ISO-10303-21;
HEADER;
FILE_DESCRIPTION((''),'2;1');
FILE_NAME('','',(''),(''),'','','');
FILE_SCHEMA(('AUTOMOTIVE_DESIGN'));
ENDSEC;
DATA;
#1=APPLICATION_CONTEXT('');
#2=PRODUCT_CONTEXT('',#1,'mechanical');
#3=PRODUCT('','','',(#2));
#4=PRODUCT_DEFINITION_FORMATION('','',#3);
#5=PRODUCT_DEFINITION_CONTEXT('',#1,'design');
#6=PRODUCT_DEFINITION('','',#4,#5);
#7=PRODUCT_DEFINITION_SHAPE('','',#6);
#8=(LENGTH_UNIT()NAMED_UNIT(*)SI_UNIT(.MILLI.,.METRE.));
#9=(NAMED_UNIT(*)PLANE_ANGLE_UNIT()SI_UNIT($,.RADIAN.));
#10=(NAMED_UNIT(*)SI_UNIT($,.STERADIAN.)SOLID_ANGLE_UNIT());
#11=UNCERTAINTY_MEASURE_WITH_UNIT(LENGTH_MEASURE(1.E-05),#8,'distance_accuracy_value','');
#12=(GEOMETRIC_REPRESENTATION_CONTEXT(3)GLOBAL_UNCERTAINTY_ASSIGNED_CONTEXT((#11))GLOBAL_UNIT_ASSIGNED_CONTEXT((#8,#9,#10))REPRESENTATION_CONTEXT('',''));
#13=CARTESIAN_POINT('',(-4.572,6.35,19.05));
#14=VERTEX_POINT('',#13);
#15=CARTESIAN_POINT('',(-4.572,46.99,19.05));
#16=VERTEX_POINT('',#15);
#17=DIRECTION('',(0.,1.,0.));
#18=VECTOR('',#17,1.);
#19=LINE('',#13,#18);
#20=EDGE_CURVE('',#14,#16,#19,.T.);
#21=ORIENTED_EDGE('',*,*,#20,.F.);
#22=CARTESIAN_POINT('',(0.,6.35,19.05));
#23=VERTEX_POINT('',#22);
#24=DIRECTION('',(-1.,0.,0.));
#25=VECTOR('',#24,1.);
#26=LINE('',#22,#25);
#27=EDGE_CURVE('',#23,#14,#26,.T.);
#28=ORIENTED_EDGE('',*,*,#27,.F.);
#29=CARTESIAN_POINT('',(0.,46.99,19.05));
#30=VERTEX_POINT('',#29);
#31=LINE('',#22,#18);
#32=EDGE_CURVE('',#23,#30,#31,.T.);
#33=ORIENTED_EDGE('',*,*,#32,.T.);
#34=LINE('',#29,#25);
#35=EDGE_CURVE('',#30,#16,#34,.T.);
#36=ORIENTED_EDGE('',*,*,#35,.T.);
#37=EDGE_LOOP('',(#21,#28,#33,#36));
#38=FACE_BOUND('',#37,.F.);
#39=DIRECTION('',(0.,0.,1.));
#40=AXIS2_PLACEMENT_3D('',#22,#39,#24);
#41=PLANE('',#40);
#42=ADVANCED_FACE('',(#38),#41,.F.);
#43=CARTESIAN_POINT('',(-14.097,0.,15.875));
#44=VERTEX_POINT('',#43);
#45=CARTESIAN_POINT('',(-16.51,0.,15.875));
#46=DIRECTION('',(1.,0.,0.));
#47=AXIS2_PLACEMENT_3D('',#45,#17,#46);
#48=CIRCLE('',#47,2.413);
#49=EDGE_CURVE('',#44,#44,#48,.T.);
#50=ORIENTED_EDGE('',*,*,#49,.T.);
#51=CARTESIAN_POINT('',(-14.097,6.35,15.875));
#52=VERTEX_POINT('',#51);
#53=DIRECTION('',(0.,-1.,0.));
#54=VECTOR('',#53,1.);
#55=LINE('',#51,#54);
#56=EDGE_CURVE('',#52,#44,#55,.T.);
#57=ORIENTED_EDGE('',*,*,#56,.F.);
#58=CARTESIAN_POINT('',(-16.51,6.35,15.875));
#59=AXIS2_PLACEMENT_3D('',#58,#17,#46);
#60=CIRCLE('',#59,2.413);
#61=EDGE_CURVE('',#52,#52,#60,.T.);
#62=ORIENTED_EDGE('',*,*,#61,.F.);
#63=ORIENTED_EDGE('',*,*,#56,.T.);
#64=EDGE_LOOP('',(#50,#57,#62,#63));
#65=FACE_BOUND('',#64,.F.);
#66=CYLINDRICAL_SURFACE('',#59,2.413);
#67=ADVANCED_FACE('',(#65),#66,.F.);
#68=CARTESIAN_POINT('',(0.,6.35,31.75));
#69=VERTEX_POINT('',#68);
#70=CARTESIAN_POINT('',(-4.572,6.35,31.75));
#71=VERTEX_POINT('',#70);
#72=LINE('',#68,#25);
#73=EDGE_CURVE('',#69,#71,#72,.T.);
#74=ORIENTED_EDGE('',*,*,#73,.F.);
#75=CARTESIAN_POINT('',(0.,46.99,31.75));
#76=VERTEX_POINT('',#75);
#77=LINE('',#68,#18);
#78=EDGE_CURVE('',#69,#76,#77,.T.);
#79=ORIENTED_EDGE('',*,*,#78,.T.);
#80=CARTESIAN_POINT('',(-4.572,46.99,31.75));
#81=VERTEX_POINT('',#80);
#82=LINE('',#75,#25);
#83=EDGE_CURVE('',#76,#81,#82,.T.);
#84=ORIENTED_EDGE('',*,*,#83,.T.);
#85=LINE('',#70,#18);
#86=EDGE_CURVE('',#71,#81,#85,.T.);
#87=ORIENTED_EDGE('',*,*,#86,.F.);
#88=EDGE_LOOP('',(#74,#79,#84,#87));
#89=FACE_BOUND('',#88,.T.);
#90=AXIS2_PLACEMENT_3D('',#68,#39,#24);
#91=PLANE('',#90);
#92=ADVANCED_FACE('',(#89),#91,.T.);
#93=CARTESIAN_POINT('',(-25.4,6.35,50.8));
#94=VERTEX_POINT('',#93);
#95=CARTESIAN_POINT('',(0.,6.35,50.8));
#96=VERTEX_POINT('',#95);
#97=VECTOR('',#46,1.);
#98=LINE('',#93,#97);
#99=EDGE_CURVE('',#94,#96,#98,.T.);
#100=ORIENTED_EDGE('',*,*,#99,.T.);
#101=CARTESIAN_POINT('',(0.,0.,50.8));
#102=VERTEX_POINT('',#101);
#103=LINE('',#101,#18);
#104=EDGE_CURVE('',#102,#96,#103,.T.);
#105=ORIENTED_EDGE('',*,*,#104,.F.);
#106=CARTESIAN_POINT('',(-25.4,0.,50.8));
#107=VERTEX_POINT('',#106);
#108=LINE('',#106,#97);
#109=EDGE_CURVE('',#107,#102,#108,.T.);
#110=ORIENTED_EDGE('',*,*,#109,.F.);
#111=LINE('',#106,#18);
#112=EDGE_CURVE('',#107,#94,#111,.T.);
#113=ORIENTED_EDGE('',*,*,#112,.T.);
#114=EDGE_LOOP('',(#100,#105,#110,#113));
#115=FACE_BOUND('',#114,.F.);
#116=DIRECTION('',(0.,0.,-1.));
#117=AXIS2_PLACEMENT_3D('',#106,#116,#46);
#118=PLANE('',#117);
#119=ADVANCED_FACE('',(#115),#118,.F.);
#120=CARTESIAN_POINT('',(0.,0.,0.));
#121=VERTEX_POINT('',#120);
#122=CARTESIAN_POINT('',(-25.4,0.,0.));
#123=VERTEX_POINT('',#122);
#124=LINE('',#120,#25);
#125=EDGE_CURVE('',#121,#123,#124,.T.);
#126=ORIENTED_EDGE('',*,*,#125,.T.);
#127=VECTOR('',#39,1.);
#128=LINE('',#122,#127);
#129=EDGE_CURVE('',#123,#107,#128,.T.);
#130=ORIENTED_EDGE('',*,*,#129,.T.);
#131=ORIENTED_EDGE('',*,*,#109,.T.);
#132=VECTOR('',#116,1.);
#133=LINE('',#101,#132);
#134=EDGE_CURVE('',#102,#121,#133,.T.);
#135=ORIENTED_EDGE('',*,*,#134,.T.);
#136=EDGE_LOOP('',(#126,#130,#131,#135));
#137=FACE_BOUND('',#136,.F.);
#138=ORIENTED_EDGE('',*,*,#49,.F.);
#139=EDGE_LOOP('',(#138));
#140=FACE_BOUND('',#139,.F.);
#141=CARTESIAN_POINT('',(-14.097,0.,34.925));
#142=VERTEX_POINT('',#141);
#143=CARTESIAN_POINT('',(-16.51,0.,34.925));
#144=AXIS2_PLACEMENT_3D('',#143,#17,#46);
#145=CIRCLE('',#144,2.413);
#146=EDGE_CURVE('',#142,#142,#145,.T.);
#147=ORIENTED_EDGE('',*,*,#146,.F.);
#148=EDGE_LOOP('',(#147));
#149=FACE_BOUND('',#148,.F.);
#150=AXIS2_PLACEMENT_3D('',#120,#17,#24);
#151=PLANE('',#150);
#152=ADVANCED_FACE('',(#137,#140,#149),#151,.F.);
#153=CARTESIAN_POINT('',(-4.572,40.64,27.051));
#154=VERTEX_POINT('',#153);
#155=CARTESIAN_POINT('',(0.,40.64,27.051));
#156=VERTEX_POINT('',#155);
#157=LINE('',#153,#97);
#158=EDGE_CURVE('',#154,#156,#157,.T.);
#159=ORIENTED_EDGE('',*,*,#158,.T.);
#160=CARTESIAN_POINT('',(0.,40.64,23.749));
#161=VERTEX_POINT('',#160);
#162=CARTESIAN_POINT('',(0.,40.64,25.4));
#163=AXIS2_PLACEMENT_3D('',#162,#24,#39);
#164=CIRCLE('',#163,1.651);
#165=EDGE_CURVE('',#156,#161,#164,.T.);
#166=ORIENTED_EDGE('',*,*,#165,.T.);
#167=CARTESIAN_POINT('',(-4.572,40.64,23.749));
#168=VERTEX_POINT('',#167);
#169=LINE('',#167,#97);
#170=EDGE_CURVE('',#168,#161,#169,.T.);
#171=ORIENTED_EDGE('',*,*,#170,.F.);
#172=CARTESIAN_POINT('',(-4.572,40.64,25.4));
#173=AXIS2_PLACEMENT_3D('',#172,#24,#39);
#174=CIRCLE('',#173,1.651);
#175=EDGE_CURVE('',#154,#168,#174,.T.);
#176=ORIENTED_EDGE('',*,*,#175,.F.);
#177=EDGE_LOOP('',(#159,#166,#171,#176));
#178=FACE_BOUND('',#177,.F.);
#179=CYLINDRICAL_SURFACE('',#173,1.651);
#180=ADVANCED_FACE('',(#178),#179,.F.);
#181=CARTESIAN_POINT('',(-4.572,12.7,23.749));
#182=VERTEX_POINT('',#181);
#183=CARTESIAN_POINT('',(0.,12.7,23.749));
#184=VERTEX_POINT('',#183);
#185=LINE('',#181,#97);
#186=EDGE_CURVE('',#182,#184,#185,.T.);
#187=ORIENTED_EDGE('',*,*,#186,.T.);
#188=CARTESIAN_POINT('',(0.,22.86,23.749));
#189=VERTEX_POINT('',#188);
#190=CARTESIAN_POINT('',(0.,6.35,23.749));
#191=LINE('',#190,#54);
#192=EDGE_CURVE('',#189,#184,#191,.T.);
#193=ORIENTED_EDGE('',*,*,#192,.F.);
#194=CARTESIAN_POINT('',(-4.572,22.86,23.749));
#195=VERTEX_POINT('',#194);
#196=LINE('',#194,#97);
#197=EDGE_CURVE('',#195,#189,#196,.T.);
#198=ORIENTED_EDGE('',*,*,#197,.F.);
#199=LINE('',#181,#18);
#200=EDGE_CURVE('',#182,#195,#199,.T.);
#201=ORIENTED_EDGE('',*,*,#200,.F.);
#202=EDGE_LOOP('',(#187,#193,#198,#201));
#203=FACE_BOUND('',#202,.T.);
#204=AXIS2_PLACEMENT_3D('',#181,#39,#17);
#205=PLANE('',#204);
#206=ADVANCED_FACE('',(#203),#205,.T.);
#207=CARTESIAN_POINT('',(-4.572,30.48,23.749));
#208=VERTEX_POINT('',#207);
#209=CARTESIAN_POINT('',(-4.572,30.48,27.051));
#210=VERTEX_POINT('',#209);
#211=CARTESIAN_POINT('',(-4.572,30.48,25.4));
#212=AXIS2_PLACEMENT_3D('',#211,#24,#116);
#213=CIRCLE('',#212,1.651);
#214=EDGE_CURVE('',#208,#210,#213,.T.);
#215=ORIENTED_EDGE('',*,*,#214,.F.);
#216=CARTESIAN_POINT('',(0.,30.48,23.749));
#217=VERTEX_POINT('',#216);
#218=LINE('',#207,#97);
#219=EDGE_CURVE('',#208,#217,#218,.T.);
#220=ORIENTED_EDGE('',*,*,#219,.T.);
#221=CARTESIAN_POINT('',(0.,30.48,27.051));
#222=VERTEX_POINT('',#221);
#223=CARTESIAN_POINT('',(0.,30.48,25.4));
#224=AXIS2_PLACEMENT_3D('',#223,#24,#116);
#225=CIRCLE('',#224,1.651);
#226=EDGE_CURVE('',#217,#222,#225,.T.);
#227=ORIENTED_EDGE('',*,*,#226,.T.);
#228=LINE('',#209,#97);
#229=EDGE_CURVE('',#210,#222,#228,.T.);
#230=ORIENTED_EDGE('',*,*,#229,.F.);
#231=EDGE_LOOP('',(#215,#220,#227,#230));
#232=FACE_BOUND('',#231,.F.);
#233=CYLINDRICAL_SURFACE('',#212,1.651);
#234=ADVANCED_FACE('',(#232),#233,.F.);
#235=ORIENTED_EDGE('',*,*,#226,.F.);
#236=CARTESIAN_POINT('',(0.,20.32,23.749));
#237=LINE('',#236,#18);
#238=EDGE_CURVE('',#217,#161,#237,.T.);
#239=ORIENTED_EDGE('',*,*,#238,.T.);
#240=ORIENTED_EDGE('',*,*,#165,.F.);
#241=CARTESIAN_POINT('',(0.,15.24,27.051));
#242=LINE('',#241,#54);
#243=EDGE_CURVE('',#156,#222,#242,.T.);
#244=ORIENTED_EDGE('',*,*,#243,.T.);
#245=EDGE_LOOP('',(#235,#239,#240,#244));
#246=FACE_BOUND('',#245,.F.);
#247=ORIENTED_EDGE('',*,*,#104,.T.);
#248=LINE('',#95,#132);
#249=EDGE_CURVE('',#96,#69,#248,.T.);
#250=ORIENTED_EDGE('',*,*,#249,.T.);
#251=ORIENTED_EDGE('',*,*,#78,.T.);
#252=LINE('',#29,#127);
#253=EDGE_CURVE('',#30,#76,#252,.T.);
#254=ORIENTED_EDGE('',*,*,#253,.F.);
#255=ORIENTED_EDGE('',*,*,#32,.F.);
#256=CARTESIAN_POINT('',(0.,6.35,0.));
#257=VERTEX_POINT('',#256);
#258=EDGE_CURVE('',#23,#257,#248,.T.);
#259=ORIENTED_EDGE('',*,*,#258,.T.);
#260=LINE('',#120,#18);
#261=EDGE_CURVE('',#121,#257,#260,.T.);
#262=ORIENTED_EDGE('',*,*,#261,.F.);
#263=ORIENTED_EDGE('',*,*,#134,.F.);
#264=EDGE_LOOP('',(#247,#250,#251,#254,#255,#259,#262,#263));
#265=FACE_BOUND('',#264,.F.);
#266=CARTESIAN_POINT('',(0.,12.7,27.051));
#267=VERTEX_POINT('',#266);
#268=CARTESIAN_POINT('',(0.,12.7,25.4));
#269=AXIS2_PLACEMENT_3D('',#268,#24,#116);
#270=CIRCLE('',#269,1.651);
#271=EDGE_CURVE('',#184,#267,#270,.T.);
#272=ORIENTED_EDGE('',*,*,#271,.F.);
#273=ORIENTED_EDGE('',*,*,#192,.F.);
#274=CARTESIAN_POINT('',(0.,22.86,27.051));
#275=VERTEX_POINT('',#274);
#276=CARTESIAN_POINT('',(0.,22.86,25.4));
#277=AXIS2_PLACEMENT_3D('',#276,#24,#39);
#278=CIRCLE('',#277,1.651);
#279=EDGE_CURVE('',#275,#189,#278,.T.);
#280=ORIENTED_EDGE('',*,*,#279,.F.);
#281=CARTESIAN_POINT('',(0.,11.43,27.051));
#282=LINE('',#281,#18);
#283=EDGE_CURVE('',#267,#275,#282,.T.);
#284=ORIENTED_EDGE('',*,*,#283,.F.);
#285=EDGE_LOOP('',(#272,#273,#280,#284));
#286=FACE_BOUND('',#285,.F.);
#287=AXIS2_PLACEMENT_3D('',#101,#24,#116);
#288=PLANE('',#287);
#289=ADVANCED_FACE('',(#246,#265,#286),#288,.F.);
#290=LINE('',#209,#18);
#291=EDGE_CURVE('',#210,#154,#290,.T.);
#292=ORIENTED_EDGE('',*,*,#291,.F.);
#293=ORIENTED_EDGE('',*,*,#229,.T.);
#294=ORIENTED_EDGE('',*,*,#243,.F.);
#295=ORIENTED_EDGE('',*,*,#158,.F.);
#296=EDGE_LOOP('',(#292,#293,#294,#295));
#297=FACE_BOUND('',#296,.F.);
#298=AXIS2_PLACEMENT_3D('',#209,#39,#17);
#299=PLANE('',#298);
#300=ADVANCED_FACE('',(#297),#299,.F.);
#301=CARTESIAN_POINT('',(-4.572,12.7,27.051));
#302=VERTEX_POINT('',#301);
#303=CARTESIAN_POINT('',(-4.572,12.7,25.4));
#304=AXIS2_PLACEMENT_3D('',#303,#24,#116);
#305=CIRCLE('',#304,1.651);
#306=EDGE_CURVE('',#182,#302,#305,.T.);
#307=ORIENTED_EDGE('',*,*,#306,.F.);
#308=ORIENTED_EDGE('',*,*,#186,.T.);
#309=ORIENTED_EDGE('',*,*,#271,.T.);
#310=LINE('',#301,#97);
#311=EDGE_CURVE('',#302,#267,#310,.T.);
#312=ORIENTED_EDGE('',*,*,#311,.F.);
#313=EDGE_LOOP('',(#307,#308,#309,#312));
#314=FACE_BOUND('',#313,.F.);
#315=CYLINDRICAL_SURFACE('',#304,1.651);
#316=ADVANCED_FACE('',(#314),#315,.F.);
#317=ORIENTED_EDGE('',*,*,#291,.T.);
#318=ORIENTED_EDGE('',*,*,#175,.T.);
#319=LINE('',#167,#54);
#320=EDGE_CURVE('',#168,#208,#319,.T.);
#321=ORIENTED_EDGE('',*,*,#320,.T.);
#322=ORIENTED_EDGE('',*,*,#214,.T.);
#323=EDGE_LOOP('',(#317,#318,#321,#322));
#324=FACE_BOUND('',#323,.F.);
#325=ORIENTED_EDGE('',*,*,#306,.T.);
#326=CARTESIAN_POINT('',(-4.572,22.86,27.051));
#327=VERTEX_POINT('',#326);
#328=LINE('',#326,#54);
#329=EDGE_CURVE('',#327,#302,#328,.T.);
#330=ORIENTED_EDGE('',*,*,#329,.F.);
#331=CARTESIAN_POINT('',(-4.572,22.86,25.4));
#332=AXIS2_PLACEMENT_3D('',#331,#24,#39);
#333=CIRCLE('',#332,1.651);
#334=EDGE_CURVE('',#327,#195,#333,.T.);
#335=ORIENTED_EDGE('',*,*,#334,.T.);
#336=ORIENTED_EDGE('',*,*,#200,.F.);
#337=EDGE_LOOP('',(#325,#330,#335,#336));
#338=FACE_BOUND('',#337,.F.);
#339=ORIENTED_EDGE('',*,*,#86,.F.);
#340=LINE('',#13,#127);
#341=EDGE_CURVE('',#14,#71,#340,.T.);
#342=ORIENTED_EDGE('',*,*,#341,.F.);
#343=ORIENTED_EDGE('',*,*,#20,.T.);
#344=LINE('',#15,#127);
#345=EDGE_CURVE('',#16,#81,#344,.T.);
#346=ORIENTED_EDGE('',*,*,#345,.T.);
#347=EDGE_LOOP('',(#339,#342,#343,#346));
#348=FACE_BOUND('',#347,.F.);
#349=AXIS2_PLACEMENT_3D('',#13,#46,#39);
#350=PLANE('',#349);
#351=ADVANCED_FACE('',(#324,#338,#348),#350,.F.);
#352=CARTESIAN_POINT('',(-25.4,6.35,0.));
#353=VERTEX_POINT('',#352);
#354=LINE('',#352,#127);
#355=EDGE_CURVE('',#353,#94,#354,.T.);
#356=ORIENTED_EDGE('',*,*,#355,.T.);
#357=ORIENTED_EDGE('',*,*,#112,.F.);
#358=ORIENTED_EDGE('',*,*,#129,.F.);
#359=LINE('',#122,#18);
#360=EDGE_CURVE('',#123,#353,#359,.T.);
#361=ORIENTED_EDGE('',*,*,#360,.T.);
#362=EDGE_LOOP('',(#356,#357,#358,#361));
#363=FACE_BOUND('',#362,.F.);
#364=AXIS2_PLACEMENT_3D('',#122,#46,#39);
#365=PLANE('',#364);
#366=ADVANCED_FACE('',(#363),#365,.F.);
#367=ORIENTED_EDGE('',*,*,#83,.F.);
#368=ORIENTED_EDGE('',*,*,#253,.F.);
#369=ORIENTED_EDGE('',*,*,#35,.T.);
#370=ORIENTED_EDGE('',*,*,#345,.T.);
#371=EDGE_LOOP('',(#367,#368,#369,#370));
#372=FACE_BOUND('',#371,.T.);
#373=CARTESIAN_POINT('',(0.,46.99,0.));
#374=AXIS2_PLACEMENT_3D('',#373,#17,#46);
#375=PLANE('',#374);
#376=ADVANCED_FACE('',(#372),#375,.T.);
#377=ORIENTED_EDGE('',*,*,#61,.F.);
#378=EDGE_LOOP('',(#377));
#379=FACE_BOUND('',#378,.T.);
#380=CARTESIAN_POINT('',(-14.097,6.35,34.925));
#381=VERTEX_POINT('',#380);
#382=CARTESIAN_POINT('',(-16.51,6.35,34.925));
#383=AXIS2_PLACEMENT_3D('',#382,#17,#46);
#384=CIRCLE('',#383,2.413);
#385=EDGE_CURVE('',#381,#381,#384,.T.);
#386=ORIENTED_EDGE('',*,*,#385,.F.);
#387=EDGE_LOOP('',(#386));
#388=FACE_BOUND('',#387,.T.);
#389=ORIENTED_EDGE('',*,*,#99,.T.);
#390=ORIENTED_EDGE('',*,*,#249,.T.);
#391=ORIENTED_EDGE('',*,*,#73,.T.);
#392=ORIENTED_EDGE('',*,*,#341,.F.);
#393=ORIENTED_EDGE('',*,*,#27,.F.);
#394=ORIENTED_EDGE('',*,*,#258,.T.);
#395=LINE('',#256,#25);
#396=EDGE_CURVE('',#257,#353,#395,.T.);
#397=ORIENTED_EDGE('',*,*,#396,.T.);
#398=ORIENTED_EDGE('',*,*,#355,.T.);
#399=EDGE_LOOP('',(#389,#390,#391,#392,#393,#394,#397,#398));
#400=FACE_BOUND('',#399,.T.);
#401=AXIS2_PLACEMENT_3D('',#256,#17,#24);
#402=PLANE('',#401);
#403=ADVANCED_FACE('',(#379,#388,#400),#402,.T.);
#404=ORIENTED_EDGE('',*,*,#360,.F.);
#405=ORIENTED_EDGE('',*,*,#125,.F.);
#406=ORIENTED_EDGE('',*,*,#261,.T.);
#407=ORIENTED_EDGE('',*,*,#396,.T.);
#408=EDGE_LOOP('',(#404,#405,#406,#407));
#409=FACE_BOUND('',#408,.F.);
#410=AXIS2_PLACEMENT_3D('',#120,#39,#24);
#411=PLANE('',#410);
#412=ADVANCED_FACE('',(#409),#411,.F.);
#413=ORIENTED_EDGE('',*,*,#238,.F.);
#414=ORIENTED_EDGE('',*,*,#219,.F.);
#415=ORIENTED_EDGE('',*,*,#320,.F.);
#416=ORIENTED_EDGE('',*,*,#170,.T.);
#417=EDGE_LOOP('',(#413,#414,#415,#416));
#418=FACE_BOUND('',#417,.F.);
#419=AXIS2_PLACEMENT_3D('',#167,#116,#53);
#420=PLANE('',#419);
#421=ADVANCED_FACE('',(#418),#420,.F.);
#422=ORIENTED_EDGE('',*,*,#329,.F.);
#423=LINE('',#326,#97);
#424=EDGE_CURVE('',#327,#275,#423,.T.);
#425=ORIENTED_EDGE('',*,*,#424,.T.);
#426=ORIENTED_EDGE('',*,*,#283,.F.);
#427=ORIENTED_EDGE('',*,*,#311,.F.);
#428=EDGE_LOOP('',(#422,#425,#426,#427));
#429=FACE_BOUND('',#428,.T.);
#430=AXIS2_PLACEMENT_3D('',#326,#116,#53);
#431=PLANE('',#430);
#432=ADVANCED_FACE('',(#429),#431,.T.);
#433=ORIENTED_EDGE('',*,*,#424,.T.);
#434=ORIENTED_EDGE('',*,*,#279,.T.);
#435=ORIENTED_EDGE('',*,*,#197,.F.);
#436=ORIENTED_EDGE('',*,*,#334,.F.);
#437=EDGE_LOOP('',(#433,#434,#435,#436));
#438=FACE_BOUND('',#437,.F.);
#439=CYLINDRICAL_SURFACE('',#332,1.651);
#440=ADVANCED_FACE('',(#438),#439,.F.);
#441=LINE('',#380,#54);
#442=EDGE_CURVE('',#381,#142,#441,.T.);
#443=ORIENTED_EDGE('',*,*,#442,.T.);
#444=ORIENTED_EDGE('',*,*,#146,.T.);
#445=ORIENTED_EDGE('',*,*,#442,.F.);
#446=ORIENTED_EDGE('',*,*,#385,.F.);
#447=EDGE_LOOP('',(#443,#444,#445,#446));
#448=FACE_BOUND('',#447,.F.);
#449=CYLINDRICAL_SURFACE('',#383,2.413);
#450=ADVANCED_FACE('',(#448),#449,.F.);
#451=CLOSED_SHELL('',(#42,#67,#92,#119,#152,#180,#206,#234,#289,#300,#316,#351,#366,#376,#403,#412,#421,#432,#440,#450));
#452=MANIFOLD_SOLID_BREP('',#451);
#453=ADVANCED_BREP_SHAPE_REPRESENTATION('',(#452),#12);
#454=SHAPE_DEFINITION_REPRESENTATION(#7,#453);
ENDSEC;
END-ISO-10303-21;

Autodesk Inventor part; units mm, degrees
ref_plane "YZ Plane" through (0, 0, 0) normal (1, 0, 0) x (0, 1, 0)
ref_plane "XZ Plane" through (0, 0, 0) normal (0, 1, 0) x (-1, 0, 0)
ref_plane "XY Plane" through (0, 0, 0) normal (0, 0, 1) x (1, 0, 0)
sketch "Sketch15" plane through (0, 0, 0) normal (0, 1, 0) x (-1, 0, 0)
  line L0 (0, 0) -> (25.4, 0)
  line L1 (25.4, 0) -> (25.4, 50.8)
  line L2 (25.4, 50.8) -> (0, 50.8)
  line L3 (0, 50.8) -> (0, 0)
  dimension "d64" = 25.4
  dimension "d65" = 50.8
extrude "Extrusion12" add sketch "Sketch15" along normal blind 6.35
sketch "Sketch17" plane through (0, 6.35, 0) normal (0, 1, 0) x (1, 0, 0)
  line L0 (-25.4, 0) -> (-25.4, -50.8) projected
  line L1 (-25.4, -50.8) -> (0, -50.8) projected
  line L2 (0, -50.8) -> (0, 0) projected
  line L3 (0, 0) -> (-25.4, 0) projected
  line L4 (0, -25.4) -> (0, -19.05)
  line L5 (0, -25.4) -> (0, -31.75)
  line L6 (0, -31.75) -> (-4.572, -31.75)
  line L7 (-4.572, -31.75) -> (0, -31.75)
  line L8 (0, -31.75) -> (0, -19.05)
  line L9 (0, -19.05) -> (-4.572, -19.05)
  line L10 (-4.572, -19.05) -> (-4.572, -31.75)
  dimension "d74" = 6.35
  dimension "d75" = 6.35
  dimension "d76" = 4.572
extrude "Extrusion14" add sketch "Sketch17" along normal blind 40.64 contours L2 L6 L10 L9
sketch "Sketch18" plane through (-4.572, 6.35, 19.05) normal (-1, 0, 0) x (0, 0, 1)
  line L0 (12.7, 0) -> (0, 0) projected
  line L1 (12.7, 0) -> (12.7, 40.64) projected
  line L2 (0, 40.64) -> (12.7, 40.64) projected
  line L3 (0, 0) -> (0, 40.64) projected
  line L4 (0, 20.32) -> (12.7, 20.32) construction
  line L5 (6.35, 20.32) -> (6.35, 24.13) construction
  line L6 (6.35, 24.13) -> (6.35, 34.29) construction
  line L7 (8.001, 24.13) -> (8.001, 34.29)
  line L8 (4.699, 34.29) -> (4.699, 24.13)
  arc A0 (4.699, 24.13) -> (8.001, 24.13) centre (6.35, 24.13) ccw
  arc A1 (8.001, 34.29) -> (4.699, 34.29) centre (6.35, 34.29) ccw
  line L9 (8.001, 16.51) -> (8.001, 6.35)
  line L10 (4.699, 6.35) -> (4.699, 16.51)
  arc A2 (8.001, 16.51) -> (4.699, 16.51) centre (6.35, 16.51) ccw
  arc A3 (4.699, 6.35) -> (8.001, 6.35) centre (6.35, 6.35) ccw
  point P0 (-19.05, -6.35)
  point P1 (6.35, 29.21)
  dimension "d79" = 3.81
  dimension "d80" = 10.16
  dimension "d81" = 3.302
extrude "Extrusion15" cut sketch "Sketch18" against normal up to next contours A0 L8 A1 L7 | L9 A3 L10 A2
sketch "Sketch19" plane through (0, 6.35, 0) normal (0, 1, 0) x (1, 0, 0)
  line L0 (-4.572, -19.05) -> (0, -19.05) projected
  line L1 (0, -19.05) -> (0, 0) projected
  line L2 (0, 0) -> (-25.4, 0) projected
  line L3 (-25.4, 0) -> (-25.4, -50.8) projected
  line L4 (-25.4, -50.8) -> (0, -50.8) projected
  line L5 (0, -50.8) -> (0, -31.75) projected
  line L6 (0, -31.75) -> (-4.572, -31.75) projected
  line L7 (-4.572, -31.75) -> (-4.572, -19.05) projected
  line L8 (-25.4, -25.4) -> (0, -25.4) construction
  line L9 (0, -50.8) -> (0, 0) projected
  line L10 (-12.7, -25.4) -> (-16.51, -25.4)
  line L11 (-16.51, -25.4) -> (-16.51, -15.875) construction
  circle A0 centre (-16.51, -15.875) radius 2.413
  line L12 (-16.51, -25.4) -> (-16.51, -34.925) construction
  circle A1 centre (-16.51, -34.925) radius 2.413
  dimension "d84" = 3.81
  dimension "d85" = 9.525
  dimension "d86" = 4.826
extrude "Extrusion16" cut sketch "Sketch19" against normal up to next contours A0 | A1
equation "\"base_thickness\" = 6.35"
equation "\"motor_adapter_width\" = 19.05"
equation "\"d16\" = 0.5 * motor_adapter_width"
equation "\"motor_adapter_across\" = 21.59"
equation "\"motor_u_adapterthickness\" = 3.81"
properties part number "motor_u_adapter"
